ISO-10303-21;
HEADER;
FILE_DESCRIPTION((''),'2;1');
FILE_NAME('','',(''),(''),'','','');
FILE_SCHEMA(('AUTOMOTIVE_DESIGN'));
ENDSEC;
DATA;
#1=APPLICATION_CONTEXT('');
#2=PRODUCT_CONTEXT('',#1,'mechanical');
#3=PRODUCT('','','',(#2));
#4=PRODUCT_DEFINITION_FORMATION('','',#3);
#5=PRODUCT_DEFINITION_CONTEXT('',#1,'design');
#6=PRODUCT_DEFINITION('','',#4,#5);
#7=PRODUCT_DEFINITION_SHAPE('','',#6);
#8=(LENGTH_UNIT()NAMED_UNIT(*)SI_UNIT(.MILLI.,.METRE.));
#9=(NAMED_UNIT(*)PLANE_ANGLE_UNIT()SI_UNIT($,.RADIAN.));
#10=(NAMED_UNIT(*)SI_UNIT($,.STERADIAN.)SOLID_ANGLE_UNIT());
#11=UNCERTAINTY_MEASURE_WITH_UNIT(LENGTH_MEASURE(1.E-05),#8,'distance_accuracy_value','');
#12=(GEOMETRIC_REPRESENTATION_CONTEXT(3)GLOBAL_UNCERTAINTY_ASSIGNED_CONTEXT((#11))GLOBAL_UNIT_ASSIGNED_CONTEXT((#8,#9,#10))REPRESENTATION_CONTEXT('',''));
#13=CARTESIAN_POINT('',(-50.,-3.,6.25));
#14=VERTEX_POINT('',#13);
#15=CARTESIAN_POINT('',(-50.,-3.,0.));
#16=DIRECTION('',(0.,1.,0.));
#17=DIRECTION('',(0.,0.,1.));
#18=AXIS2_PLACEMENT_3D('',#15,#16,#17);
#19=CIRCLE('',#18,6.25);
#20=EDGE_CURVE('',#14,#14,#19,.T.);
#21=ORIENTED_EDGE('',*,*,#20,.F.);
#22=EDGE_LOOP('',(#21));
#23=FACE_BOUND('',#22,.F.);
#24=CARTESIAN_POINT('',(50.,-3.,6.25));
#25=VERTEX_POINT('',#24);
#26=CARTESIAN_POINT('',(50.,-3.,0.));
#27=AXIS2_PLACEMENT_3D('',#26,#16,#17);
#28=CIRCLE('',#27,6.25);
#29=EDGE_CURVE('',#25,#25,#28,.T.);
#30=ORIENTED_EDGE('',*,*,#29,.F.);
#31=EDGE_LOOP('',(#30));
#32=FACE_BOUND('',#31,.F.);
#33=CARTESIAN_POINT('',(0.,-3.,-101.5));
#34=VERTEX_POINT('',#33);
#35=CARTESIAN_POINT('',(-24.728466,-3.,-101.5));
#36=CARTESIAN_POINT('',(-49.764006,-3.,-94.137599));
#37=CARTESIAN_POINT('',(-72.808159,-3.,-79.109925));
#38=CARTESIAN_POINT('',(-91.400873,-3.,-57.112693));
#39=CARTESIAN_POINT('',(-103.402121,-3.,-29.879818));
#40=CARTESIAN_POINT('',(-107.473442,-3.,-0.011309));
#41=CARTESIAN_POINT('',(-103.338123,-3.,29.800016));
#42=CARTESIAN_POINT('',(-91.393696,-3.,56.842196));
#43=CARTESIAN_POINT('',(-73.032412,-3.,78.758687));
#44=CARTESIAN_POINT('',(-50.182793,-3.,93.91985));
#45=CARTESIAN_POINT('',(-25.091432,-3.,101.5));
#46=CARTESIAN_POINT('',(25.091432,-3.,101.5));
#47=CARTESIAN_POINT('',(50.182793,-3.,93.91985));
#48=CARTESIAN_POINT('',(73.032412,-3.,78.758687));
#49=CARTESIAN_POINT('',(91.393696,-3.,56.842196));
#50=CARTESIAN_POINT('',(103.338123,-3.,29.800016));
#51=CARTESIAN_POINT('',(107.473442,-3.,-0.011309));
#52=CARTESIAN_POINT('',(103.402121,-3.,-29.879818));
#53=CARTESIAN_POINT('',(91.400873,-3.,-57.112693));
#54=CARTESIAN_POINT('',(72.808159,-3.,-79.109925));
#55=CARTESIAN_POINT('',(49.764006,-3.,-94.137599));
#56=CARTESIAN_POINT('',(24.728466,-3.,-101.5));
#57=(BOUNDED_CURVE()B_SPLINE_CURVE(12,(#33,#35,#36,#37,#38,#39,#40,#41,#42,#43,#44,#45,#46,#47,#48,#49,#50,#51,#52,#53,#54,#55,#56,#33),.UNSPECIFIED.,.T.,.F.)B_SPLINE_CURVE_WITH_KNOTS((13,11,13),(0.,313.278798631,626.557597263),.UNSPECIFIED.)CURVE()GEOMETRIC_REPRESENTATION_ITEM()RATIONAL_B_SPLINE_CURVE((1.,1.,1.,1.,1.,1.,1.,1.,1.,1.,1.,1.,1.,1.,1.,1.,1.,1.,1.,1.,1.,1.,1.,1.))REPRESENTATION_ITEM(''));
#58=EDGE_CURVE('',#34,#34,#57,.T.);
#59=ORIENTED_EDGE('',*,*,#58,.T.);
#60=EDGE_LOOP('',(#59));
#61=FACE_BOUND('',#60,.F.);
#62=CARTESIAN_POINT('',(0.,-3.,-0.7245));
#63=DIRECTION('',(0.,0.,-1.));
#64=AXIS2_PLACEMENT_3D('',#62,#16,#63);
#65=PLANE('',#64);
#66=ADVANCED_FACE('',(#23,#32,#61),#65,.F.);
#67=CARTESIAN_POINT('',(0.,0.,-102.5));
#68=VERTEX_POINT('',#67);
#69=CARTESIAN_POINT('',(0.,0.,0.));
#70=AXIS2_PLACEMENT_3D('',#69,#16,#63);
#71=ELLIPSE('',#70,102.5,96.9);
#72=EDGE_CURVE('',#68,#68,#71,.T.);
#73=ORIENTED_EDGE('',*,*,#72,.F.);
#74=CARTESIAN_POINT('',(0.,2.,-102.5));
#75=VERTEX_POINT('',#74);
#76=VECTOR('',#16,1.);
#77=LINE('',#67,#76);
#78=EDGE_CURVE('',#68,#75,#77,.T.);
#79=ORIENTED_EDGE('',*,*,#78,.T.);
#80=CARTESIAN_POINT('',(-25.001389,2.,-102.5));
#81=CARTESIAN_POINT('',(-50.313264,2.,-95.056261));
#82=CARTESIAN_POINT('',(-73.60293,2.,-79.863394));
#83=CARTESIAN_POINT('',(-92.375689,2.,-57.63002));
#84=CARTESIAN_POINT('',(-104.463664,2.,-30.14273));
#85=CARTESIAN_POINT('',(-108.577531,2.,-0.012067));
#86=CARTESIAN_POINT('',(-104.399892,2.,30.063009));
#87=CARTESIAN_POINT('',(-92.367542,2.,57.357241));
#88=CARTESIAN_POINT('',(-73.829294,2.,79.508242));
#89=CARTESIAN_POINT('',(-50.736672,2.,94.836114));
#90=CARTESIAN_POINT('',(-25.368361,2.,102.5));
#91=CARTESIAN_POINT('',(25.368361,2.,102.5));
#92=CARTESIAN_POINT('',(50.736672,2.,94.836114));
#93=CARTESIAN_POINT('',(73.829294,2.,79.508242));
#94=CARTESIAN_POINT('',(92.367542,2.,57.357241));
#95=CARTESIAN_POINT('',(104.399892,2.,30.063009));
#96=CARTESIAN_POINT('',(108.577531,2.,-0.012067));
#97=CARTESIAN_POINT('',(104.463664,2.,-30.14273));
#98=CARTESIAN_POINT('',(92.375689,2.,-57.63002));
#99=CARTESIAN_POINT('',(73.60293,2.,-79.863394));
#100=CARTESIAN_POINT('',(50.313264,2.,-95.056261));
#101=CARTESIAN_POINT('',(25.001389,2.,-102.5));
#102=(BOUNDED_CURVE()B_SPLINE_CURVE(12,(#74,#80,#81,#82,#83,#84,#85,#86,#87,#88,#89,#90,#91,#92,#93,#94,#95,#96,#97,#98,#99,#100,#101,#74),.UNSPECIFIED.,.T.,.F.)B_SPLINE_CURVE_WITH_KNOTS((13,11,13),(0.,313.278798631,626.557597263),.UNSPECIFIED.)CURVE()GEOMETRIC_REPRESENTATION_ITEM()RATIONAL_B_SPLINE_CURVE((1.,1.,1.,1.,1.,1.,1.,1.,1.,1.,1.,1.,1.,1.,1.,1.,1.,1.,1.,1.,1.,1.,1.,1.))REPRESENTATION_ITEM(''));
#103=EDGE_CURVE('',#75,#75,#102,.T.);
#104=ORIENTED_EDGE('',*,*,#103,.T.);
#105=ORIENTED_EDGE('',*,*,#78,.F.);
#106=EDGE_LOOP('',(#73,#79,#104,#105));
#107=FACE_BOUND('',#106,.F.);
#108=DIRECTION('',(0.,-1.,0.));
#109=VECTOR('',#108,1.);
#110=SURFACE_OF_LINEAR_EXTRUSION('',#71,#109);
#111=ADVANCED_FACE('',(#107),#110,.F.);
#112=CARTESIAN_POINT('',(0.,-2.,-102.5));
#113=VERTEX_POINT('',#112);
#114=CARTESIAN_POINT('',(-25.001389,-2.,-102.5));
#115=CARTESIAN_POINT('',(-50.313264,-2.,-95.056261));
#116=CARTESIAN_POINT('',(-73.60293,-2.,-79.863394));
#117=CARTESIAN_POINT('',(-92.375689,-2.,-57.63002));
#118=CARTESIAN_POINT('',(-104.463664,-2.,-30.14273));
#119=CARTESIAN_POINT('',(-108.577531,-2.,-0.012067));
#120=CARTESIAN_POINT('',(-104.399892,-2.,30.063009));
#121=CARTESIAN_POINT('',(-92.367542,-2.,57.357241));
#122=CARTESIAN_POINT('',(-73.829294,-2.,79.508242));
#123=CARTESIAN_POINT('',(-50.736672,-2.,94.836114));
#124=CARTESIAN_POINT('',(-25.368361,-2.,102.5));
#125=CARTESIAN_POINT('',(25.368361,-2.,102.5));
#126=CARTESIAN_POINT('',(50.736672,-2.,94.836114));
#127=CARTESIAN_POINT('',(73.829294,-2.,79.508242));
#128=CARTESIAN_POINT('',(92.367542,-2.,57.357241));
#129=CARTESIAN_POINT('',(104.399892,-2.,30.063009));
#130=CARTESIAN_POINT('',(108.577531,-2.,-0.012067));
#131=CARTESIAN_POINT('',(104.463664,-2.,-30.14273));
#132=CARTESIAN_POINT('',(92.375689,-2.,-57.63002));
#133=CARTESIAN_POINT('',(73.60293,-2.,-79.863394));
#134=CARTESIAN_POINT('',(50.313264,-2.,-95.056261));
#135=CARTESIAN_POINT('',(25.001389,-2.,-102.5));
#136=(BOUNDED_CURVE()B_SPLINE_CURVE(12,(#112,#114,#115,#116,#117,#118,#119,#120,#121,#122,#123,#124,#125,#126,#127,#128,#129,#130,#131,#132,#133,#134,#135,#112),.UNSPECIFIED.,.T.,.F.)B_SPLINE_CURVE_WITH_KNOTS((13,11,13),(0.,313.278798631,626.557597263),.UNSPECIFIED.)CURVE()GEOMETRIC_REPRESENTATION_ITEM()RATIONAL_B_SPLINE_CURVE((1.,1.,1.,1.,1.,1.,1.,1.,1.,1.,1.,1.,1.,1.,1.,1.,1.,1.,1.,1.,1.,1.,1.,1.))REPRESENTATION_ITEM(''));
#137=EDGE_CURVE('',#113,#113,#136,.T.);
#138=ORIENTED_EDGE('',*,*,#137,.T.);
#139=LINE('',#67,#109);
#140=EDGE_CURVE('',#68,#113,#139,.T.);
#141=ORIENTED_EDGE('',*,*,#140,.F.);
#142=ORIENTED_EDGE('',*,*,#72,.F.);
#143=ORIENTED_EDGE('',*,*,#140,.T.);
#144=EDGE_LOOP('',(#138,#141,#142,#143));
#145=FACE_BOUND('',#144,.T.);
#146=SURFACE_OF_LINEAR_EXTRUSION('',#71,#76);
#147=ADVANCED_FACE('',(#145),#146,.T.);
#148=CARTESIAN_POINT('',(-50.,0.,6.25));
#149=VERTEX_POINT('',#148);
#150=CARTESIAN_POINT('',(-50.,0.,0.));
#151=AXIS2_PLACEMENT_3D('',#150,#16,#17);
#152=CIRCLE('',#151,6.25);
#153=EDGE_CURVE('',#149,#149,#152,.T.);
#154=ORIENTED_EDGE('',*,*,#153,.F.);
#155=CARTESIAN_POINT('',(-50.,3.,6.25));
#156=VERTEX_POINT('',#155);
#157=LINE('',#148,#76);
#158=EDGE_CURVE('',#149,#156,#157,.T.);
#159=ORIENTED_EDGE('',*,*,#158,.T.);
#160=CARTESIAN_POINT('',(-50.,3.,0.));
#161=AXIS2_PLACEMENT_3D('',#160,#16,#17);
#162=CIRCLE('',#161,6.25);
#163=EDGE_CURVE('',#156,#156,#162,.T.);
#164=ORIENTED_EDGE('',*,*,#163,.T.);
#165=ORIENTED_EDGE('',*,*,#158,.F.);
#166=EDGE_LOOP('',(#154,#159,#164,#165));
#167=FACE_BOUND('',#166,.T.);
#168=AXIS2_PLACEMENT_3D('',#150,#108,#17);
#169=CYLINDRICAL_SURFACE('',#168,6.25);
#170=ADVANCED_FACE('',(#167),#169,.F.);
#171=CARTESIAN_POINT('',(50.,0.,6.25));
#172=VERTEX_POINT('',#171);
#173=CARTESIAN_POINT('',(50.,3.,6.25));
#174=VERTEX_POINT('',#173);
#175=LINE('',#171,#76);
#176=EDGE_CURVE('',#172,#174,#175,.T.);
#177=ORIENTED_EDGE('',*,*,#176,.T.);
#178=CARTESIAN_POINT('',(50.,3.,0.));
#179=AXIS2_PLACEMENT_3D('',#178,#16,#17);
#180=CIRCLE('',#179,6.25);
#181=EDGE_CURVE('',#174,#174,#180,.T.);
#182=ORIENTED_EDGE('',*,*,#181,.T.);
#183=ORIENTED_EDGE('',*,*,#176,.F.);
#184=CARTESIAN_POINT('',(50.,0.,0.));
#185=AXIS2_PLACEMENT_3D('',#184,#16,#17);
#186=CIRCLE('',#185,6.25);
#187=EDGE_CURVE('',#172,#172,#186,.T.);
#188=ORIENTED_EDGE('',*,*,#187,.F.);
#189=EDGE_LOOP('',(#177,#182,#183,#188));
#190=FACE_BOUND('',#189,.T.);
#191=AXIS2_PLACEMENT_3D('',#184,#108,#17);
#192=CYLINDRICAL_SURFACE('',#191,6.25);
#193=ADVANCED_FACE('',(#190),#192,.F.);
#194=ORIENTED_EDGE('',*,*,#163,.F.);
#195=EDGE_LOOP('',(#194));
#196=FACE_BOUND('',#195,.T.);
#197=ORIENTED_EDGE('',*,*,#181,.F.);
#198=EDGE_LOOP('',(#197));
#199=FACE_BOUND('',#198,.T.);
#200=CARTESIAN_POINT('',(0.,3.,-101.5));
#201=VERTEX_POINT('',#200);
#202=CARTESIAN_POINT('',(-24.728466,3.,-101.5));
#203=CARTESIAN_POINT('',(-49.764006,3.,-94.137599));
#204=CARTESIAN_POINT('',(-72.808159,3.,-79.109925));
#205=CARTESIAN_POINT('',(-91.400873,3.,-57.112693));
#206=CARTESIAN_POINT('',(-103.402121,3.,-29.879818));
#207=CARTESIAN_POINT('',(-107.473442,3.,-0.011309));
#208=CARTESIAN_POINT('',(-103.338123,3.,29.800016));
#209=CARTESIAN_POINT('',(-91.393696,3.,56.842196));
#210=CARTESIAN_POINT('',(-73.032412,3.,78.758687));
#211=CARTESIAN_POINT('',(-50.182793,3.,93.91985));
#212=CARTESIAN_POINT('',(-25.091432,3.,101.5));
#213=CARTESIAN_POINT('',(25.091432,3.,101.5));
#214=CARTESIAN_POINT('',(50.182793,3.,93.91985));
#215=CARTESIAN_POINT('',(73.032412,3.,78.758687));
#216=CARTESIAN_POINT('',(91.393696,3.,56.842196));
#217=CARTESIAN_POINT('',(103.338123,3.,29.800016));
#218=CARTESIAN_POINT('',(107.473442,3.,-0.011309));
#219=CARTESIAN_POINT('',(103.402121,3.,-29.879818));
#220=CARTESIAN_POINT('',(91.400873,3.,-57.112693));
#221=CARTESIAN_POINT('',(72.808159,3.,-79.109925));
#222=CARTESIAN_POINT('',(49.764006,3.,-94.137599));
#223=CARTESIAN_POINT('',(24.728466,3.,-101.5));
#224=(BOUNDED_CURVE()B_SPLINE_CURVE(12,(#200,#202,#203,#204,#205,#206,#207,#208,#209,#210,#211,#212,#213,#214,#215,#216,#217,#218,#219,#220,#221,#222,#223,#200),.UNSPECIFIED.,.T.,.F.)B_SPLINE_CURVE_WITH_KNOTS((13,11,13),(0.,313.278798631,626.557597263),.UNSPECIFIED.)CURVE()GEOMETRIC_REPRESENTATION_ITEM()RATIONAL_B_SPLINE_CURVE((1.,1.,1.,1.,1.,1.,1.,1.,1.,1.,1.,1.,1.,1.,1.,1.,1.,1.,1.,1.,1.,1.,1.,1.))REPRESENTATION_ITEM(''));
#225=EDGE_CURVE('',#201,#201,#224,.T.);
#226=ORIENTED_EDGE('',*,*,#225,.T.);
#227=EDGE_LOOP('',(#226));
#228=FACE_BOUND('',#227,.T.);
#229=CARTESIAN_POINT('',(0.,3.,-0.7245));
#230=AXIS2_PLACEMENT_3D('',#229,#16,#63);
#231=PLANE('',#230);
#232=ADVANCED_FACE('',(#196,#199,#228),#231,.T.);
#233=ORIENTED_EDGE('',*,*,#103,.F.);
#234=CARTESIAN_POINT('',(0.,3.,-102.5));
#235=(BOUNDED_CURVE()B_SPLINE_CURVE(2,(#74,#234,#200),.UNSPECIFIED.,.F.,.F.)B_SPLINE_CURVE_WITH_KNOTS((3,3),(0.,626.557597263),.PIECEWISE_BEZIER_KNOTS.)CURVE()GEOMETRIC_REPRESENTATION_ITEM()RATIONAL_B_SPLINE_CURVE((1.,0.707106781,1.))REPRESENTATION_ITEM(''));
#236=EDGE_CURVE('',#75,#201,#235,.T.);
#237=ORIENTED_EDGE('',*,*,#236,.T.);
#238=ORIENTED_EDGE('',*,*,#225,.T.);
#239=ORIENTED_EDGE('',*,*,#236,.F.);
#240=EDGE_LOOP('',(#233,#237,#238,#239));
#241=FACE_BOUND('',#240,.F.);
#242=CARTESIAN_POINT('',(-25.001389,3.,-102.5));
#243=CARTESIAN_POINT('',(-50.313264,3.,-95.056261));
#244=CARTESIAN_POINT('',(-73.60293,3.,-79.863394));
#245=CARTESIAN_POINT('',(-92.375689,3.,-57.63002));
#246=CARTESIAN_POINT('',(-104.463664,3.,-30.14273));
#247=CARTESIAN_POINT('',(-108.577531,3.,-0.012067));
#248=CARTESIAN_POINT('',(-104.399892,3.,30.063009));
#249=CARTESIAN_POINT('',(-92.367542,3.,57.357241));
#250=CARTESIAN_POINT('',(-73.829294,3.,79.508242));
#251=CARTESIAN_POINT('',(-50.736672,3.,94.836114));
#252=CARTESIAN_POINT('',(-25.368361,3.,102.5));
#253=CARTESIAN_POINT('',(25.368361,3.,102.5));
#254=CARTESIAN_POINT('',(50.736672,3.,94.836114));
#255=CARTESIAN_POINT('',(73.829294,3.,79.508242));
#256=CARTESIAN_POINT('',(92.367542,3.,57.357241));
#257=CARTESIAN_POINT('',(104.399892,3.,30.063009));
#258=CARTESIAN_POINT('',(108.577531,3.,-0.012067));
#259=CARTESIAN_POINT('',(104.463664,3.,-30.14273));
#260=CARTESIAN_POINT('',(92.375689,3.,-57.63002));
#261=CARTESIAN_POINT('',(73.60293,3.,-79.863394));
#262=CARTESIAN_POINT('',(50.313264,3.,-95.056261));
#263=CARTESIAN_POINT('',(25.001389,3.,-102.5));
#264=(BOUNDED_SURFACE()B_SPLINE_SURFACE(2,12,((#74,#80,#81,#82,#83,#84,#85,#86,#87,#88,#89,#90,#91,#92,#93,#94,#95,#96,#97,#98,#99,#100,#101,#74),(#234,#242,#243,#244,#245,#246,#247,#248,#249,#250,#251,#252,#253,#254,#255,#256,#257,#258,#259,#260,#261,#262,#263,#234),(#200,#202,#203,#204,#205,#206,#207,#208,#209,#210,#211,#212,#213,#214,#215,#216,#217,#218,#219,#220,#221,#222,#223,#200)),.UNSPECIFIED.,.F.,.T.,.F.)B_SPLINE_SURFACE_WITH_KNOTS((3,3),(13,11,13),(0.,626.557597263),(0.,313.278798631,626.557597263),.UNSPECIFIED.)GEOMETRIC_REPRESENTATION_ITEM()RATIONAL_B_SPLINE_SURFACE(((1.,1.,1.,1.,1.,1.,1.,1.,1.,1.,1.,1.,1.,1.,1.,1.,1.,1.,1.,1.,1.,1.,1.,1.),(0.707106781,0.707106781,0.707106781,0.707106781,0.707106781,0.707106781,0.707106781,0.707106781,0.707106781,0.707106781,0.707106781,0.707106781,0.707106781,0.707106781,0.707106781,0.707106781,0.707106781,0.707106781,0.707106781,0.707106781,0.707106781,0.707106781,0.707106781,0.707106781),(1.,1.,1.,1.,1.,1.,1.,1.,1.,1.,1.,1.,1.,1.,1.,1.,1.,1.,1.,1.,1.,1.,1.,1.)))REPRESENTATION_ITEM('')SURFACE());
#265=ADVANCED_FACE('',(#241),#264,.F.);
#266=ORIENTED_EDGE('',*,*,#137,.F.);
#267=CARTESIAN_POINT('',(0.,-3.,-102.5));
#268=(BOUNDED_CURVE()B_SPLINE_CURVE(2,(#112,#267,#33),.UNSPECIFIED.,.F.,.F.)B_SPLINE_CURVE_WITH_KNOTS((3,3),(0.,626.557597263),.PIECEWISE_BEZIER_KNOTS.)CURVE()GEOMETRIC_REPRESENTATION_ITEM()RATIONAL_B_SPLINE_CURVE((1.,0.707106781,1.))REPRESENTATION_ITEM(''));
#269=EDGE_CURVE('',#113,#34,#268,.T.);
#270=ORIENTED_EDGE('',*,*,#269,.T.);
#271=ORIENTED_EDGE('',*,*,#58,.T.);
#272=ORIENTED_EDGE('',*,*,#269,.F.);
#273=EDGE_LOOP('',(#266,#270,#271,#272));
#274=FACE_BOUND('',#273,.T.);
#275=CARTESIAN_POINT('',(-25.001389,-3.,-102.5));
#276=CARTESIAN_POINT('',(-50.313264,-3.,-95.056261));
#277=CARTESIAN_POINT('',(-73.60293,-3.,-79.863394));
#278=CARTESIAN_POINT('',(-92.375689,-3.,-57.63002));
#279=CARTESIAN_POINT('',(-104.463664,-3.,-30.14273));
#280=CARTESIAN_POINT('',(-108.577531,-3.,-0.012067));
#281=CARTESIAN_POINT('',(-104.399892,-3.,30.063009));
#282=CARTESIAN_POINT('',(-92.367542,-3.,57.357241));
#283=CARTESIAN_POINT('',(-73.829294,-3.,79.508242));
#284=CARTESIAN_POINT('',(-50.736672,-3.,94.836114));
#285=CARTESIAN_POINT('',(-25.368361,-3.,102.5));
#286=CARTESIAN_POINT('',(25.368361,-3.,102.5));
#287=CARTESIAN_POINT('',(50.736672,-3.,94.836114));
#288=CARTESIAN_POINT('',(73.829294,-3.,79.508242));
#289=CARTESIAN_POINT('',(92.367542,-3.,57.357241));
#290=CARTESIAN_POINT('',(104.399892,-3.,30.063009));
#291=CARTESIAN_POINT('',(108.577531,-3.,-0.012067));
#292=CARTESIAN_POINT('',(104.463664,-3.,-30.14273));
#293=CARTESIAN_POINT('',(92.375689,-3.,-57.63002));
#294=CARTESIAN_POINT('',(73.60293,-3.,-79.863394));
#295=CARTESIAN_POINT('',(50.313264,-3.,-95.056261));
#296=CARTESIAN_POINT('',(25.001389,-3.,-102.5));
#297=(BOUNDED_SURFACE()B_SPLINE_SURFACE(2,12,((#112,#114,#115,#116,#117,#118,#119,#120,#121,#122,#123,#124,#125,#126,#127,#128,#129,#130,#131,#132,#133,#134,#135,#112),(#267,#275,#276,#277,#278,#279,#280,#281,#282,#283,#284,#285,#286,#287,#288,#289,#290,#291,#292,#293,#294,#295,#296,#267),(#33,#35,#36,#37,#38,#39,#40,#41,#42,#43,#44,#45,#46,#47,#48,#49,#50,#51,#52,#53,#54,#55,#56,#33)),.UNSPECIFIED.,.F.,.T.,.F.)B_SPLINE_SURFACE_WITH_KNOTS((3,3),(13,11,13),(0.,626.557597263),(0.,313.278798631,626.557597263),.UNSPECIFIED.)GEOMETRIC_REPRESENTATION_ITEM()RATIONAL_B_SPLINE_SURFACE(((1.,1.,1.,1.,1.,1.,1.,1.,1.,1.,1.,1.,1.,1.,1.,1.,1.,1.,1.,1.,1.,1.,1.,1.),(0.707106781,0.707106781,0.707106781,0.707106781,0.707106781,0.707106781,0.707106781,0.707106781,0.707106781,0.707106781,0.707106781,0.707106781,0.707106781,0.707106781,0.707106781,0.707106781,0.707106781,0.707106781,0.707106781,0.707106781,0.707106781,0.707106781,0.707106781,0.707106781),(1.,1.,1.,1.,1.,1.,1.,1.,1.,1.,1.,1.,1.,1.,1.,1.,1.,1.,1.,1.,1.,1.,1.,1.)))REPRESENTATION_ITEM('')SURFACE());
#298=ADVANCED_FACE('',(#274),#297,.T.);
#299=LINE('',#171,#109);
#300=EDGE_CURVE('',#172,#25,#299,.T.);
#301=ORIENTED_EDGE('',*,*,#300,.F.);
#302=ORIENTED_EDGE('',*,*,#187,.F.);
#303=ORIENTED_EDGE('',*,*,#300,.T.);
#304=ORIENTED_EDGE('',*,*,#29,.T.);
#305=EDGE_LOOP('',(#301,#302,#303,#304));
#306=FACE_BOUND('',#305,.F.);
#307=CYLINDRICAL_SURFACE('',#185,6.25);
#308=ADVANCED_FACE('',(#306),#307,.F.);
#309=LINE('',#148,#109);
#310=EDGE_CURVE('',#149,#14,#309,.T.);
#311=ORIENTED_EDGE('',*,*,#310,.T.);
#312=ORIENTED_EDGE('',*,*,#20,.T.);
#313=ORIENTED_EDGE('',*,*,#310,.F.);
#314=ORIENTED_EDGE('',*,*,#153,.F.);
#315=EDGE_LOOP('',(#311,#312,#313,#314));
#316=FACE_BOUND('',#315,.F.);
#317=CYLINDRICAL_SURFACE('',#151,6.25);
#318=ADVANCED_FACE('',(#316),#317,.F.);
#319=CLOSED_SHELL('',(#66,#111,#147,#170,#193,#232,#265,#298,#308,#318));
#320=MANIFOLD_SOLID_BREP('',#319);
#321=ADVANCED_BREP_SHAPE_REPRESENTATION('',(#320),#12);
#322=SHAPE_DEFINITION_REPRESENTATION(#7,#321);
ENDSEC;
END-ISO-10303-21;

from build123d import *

# Parameters (mm, degrees)
SKETCH1_RX          = 102.5
SKETCH1_RY          = 96.9
SKETCH1_R           = 6.25
BOSS_EXTRUDE1_DEPTH = 3
FILLET1_R           = 1


with BuildPart() as part:
    # Sketch1 → Boss-Extrude1 (new, symmetric)
    with BuildSketch(Plane(origin=(0, 0, 0), x_dir=(1, 0, 0), z_dir=(0, 1, 0))):
        with Locations(Location((0, 0), (0, 0, 90))):
            Ellipse(SKETCH1_RX, SKETCH1_RY)
        with Locations(Location((-50, 0, 0), (0, 0, 270))):
            Circle(SKETCH1_R, mode=Mode.SUBTRACT)
        with Locations(Location((50, 0, 0), (0, 0, 270))):
            Circle(SKETCH1_R, mode=Mode.SUBTRACT)
    extrude(amount=BOSS_EXTRUDE1_DEPTH, both=True)

    # Fillet1
    fillet1_edges = [part.edges().sort_by_distance(p)[0] for p in [
        (0.000247524, -3, 102.5),
        (0.000247524, 3, 102.5),
    ]]
    fillet(fillet1_edges, radius=FILLET1_R)


solid = part.part
